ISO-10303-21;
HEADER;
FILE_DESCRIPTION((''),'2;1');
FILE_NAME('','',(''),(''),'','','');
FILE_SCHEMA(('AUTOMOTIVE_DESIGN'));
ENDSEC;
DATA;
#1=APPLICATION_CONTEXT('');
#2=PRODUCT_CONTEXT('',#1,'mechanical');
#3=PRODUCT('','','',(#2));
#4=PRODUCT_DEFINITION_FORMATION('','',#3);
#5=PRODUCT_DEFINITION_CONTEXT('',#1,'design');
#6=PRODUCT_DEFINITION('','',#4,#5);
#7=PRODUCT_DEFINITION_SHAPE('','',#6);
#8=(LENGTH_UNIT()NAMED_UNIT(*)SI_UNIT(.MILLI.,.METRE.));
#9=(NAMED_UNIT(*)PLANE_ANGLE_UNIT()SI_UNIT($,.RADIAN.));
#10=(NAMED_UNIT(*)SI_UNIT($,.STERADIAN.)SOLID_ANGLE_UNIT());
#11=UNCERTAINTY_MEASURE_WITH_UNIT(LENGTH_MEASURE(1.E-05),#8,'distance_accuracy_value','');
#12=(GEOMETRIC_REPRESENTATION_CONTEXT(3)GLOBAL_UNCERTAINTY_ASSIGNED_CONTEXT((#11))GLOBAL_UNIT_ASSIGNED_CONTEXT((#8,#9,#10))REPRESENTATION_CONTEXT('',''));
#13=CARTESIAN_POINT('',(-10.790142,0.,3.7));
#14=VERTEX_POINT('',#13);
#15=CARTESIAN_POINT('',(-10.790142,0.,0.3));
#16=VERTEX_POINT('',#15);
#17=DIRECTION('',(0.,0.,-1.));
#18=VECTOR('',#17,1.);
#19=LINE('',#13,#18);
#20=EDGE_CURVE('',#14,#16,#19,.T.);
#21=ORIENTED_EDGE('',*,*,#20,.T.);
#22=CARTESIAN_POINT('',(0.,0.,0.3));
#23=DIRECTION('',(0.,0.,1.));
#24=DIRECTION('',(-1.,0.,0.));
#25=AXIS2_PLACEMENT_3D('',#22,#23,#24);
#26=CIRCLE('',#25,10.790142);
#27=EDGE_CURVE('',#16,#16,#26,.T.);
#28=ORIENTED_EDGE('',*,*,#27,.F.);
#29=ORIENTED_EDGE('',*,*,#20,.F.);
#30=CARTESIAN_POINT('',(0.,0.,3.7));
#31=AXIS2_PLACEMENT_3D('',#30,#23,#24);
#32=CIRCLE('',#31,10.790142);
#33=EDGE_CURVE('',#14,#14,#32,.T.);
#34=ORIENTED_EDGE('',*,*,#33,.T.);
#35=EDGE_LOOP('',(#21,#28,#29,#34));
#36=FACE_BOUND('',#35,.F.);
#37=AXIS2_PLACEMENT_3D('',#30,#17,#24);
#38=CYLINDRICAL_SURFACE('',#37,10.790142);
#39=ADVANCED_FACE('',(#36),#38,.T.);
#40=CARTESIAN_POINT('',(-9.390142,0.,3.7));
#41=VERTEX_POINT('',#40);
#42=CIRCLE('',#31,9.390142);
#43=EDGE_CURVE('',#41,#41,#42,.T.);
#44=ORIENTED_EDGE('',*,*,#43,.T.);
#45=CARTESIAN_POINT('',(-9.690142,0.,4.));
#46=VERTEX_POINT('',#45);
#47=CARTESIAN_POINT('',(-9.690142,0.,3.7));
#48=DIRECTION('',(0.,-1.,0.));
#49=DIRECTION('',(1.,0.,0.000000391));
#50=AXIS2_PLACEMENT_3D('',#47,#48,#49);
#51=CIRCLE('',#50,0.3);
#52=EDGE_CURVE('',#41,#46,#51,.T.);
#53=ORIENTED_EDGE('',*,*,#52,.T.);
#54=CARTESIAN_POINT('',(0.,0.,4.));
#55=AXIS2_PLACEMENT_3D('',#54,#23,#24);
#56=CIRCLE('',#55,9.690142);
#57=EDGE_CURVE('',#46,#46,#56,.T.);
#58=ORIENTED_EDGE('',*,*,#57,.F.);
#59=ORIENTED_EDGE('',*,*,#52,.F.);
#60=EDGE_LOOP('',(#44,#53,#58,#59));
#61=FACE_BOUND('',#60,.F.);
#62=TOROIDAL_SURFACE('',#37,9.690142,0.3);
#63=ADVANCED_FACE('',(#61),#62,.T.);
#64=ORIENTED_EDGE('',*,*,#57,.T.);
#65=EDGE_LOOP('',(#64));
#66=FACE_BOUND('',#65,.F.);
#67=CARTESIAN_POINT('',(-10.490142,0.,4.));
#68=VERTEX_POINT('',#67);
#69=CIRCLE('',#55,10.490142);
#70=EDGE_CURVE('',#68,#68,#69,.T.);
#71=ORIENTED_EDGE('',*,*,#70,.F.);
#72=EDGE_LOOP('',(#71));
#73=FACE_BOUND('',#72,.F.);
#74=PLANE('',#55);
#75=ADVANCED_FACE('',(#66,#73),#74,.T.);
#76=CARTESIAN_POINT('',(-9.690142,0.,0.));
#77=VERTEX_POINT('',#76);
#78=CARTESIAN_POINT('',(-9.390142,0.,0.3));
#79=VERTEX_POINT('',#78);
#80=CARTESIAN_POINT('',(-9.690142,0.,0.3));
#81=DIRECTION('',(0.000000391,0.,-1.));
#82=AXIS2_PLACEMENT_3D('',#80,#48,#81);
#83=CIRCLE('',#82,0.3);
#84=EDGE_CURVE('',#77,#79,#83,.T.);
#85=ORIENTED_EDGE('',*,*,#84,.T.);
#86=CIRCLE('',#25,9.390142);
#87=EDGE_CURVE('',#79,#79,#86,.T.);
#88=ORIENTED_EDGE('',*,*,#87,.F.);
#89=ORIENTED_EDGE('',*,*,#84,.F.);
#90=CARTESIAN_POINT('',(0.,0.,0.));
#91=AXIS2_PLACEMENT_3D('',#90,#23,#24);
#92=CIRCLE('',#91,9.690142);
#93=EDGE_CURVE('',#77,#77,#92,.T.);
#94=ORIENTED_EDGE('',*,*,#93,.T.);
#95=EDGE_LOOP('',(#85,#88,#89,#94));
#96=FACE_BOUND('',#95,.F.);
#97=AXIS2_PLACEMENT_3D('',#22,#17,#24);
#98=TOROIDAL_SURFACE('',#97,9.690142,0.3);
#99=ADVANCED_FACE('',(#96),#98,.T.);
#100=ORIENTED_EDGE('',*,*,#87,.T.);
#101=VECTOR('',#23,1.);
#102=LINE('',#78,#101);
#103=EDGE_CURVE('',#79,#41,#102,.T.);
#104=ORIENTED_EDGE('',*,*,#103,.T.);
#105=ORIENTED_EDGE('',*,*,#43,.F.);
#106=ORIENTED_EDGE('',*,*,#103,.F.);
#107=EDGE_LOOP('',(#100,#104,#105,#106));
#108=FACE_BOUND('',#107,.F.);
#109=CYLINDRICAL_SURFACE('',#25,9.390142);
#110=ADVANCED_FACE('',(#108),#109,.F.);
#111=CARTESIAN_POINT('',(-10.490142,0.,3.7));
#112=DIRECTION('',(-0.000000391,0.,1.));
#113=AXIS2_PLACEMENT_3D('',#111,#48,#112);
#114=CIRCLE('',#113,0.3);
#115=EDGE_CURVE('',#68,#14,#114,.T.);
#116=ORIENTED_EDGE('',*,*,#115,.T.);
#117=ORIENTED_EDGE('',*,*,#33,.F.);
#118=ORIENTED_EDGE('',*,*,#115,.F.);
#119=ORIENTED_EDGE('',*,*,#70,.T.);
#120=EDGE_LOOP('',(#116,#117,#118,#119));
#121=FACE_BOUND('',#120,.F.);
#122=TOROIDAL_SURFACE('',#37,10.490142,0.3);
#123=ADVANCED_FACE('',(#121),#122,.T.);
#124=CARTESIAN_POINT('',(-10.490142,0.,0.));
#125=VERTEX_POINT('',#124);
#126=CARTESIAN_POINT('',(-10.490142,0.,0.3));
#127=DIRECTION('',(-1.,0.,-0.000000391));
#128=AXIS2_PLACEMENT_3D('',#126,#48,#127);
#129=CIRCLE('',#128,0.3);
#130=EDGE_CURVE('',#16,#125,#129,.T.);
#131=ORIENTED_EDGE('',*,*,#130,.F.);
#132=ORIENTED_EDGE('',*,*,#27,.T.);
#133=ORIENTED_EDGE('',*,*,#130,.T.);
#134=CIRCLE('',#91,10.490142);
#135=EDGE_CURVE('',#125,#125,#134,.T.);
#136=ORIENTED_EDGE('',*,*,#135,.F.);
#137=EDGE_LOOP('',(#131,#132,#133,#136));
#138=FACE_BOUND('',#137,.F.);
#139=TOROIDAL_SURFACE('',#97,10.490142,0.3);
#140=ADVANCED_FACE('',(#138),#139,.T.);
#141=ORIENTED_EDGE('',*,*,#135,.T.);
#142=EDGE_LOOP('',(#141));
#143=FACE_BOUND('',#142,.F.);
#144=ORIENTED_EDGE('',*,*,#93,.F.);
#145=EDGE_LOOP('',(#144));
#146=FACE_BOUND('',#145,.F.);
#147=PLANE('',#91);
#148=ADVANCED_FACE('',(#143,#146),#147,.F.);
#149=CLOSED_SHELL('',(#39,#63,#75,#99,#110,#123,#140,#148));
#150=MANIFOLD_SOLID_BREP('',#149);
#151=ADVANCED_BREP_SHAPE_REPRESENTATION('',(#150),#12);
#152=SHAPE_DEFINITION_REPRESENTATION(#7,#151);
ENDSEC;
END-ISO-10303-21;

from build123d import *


with BuildPart() as part:
    # Sketch → Revolution (revolve)
    with BuildSketch(Plane.XZ):
        with BuildLine():
            ThreePointArc((-10.790142, 0.3), (-10.702274, 0.087868), (-10.490142, 0))
            Line((-10.490142, 0), (-9.690142, 0))
            ThreePointArc((-9.690142, 0), (-9.47801, 0.087868), (-9.390142, 0.3))
            Line((-9.390142, 0.3), (-9.390142, 3.7))
            ThreePointArc((-9.390142, 3.7), (-9.47801, 3.912132), (-9.690142, 4))
            Line((-9.690142, 4), (-10.490142, 4))
            ThreePointArc((-10.490142, 4), (-10.702274, 3.912132), (-10.790142, 3.7))
            Line((-10.790142, 3.7), (-10.790142, 0.3))
        make_face()
    revolve(axis=Axis((0, 0, 0), (0, 0, 1)))


solid = part.part
